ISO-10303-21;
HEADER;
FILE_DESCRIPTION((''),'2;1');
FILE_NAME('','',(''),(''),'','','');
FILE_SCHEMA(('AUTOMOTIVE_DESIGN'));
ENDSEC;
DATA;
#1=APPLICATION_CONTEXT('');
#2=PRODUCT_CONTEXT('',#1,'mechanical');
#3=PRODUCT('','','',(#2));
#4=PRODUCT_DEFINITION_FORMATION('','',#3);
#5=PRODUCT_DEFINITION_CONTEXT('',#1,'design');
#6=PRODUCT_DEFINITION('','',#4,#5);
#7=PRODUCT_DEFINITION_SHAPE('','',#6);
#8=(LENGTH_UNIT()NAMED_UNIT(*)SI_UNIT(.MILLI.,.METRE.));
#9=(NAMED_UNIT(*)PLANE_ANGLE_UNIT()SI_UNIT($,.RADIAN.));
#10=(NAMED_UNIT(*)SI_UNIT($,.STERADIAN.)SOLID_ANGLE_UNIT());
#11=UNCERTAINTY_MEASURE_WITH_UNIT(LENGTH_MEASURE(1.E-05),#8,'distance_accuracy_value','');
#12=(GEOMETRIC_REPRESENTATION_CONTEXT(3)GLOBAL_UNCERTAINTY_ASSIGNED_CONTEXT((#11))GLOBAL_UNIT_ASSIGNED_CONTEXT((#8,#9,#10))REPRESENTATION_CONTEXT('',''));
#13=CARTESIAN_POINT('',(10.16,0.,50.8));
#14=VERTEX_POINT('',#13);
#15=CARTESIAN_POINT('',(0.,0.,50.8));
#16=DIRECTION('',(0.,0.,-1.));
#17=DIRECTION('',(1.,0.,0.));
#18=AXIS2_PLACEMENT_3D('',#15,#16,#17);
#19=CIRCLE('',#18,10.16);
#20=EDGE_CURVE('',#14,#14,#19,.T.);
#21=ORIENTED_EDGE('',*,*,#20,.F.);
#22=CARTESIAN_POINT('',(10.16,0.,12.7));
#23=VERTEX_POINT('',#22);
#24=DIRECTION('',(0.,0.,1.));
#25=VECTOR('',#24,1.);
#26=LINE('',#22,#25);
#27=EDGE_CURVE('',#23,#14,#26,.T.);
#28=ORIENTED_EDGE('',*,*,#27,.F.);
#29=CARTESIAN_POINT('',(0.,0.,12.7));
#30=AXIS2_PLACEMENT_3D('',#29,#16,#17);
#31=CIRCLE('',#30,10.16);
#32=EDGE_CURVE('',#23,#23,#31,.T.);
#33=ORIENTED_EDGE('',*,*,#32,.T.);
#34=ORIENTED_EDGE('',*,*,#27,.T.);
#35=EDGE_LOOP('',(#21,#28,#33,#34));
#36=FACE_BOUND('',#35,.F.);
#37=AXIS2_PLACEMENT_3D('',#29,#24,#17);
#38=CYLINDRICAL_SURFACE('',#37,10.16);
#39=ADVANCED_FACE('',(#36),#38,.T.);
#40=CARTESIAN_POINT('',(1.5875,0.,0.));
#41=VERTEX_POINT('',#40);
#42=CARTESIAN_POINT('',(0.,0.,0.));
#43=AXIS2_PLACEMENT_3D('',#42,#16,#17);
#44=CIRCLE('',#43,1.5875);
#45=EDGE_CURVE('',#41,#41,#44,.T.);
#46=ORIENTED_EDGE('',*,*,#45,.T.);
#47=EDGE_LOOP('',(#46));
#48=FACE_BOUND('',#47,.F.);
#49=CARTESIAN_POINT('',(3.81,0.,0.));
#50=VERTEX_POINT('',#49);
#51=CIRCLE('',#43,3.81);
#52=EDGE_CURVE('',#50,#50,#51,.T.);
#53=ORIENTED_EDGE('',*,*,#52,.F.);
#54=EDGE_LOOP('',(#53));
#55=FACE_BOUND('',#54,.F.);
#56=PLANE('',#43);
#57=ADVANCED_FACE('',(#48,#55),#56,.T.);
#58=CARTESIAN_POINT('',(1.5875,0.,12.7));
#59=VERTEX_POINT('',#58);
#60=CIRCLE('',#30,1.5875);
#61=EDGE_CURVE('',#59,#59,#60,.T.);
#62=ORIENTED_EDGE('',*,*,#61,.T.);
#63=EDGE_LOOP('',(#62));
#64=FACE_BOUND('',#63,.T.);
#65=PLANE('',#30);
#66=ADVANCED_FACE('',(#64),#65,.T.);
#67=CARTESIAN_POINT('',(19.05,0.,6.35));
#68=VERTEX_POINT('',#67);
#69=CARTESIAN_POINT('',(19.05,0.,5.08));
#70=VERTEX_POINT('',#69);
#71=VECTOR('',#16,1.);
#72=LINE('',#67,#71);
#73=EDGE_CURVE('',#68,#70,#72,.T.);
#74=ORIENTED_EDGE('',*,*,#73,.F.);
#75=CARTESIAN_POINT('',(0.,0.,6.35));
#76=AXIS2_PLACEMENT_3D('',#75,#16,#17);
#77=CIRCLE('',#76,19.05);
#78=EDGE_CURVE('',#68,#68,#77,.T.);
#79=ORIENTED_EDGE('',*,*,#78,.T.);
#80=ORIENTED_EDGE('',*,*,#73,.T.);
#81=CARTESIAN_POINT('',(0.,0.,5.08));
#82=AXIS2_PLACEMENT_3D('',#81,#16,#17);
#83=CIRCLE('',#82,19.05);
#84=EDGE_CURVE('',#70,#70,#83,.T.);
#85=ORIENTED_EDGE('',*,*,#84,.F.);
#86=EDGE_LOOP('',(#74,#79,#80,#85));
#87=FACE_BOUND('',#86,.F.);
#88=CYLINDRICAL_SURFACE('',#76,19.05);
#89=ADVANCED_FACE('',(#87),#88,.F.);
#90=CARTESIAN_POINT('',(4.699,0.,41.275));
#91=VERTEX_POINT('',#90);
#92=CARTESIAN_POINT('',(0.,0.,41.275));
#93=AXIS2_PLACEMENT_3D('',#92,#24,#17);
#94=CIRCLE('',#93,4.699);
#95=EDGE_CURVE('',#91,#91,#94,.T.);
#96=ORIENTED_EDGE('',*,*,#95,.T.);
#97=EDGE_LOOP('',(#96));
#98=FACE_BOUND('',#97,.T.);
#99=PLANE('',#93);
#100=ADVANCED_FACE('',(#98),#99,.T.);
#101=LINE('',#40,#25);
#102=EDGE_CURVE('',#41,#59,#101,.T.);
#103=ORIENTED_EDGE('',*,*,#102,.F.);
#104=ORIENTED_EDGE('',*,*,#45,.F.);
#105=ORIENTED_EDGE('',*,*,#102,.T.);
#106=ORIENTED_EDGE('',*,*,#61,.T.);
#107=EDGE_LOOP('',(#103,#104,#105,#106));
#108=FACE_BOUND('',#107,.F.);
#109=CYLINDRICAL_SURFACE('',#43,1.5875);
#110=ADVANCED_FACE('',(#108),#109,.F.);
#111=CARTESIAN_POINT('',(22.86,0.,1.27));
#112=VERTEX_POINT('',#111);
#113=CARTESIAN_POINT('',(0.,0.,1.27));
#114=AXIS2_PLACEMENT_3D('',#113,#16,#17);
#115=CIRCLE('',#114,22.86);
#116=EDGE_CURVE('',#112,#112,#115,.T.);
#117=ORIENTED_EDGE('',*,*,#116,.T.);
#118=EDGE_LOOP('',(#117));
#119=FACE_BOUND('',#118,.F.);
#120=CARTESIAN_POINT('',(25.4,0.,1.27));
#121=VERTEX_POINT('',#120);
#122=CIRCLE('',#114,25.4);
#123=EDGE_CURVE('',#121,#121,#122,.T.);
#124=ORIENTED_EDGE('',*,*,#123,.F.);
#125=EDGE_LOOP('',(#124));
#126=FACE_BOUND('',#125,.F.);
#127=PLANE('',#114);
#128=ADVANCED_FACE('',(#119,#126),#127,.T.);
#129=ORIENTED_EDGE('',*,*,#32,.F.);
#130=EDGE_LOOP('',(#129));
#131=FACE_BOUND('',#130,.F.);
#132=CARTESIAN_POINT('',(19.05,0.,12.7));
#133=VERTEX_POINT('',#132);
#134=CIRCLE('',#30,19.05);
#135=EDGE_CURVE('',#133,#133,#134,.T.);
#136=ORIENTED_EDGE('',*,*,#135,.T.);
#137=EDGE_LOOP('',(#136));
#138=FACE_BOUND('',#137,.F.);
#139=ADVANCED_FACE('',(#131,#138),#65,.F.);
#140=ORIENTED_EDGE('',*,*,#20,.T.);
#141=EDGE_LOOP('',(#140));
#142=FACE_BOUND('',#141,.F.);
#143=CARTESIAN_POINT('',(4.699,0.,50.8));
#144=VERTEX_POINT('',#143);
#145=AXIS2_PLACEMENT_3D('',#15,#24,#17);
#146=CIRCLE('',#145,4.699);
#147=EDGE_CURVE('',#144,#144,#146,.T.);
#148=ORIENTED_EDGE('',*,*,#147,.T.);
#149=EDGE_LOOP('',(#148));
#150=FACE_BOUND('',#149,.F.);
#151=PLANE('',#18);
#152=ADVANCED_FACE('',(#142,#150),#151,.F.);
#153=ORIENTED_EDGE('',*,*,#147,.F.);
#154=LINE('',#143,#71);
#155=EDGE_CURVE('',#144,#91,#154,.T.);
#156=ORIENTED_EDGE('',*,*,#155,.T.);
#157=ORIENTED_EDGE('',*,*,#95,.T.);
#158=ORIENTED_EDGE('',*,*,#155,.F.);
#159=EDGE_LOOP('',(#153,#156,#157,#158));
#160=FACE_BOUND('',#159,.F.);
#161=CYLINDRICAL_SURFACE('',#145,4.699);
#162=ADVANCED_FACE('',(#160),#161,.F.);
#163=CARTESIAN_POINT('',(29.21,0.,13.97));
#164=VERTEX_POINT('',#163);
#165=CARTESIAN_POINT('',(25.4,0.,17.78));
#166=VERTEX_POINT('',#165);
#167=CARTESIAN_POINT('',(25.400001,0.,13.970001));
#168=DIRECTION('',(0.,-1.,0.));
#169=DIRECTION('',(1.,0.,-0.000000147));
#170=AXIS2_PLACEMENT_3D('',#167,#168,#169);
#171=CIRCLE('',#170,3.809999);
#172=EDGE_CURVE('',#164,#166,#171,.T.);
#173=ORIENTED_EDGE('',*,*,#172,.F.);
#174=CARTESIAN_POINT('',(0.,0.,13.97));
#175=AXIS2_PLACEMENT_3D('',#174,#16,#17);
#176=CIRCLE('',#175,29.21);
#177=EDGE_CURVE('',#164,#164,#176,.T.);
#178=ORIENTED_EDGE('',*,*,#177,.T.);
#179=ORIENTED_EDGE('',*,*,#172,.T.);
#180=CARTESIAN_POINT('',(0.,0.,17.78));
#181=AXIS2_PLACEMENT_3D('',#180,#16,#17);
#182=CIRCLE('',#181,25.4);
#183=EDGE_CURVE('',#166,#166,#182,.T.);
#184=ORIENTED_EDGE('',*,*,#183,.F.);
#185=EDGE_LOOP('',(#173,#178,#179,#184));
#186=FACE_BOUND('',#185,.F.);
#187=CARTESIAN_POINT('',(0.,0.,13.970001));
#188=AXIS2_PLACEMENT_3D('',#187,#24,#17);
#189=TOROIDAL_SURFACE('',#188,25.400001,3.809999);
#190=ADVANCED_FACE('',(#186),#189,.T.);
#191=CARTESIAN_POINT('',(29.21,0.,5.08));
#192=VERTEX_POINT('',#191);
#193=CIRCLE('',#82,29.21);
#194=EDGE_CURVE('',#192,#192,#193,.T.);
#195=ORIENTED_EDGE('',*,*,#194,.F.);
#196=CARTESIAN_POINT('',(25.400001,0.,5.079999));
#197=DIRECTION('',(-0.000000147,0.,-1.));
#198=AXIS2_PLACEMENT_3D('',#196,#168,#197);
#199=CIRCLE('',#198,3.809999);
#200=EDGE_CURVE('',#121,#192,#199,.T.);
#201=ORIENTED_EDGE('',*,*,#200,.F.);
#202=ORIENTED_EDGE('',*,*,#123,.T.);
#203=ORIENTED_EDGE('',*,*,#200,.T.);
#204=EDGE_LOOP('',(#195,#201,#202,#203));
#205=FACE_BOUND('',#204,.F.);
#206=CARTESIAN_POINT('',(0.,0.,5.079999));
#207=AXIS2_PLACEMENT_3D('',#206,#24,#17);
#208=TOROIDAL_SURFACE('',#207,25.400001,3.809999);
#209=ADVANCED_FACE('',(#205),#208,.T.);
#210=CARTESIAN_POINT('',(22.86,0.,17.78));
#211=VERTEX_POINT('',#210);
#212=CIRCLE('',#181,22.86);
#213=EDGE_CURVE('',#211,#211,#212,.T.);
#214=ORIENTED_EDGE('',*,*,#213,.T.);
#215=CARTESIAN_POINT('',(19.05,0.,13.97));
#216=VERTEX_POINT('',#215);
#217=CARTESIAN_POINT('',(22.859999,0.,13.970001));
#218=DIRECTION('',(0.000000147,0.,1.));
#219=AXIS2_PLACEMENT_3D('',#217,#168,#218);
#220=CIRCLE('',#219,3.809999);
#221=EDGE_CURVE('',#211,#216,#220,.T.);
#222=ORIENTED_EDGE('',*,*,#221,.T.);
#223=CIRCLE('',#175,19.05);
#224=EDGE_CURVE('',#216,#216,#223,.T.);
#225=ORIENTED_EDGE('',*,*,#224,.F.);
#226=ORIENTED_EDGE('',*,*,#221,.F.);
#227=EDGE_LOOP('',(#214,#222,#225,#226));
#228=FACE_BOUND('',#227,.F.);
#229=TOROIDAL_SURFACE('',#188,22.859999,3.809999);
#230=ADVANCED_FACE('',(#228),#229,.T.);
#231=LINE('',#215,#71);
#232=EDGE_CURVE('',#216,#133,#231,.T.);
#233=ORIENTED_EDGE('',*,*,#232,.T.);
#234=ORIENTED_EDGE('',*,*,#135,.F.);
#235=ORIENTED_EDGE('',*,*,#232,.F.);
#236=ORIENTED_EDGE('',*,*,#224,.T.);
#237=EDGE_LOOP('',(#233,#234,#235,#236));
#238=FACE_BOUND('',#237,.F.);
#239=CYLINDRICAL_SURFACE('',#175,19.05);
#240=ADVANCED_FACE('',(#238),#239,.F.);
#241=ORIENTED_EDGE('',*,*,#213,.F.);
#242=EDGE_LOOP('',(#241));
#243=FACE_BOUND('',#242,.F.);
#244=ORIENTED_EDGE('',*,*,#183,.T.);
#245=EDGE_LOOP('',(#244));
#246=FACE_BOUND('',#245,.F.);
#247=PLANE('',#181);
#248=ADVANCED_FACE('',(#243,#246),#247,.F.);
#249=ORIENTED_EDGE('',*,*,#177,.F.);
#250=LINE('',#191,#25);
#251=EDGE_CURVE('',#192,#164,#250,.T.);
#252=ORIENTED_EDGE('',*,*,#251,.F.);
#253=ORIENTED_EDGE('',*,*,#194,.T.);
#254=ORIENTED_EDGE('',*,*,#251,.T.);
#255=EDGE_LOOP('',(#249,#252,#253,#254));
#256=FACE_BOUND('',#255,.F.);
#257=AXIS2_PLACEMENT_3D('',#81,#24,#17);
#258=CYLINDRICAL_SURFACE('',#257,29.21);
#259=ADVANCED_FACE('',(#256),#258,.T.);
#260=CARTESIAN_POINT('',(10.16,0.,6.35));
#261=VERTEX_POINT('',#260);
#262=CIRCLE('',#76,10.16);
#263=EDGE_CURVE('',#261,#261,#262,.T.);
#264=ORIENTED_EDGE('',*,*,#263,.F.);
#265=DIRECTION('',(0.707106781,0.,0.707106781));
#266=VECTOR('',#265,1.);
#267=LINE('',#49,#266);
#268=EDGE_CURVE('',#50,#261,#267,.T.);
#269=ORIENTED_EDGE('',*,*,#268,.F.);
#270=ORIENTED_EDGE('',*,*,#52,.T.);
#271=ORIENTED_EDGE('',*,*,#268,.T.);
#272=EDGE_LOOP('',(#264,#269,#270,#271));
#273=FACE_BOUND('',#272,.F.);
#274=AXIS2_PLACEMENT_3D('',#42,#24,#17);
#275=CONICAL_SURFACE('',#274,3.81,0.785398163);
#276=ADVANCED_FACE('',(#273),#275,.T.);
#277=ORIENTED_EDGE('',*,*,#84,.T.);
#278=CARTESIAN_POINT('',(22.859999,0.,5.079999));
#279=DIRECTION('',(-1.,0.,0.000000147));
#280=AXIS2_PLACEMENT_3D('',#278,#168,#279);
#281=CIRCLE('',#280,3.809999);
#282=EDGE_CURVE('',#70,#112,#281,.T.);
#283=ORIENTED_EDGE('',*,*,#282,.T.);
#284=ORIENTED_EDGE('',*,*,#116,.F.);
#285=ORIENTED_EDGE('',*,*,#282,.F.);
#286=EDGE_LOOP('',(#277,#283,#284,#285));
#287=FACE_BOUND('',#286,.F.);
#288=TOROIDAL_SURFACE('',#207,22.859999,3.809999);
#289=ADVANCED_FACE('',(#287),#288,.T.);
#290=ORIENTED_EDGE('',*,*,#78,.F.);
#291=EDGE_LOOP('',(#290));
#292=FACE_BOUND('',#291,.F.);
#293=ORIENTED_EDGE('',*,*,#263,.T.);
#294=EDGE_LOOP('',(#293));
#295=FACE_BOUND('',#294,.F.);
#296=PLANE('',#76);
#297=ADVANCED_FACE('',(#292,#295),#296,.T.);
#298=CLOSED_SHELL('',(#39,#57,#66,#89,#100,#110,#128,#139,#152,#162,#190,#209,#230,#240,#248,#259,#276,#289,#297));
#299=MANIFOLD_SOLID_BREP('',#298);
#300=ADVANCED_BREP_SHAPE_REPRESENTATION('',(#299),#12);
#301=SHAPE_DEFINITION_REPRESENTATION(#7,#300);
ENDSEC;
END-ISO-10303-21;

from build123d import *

# Parameters (mm, degrees)
F2_R     = 4.699
F3_DEPTH = 9.525
F4_R     = 1.5875
F5_DEPTH = 12.7


with BuildPart() as f1:
    # F0 (on Front) → F1 (revolve)
    with BuildSketch(Plane.XZ):
        with BuildLine():
            Line((0, 50.8), (0, 0))
            Line((0, 0), (3.81, 0))
            Line((3.81, 0), (10.16, 6.35))
            Line((10.16, 6.35), (19.05, 6.35))
            Line((19.05, 6.35), (19.05, 5.08))
            ThreePointArc((19.05, 5.08), (20.165923, 2.385923), (22.86, 1.27))
            Line((22.86, 1.27), (25.4, 1.27))
            ThreePointArc((25.4, 1.27), (28.094077, 2.385923), (29.21, 5.08))
            Line((29.21, 5.08), (29.21, 13.97))
            ThreePointArc((29.21, 13.97), (28.094077, 16.664077), (25.4, 17.78))
            Line((25.4, 17.78), (22.86, 17.78))
            ThreePointArc((22.86, 17.78), (20.165923, 16.664077), (19.05, 13.97))
            Line((19.05, 13.97), (19.05, 12.7))
            Line((19.05, 12.7), (10.16, 12.7))
            Line((10.16, 12.7), (10.16, 50.8))
            Line((10.16, 50.8), (0, 50.8))
        make_face()
    revolve(axis=Axis((0, 0, 25.4), (0, 0, -1)))

    # F2 (on face) → F3 (cut)
    with BuildSketch(Plane.XY.offset(50.8)):
        Circle(F2_R)
    extrude(amount=-F3_DEPTH, mode=Mode.SUBTRACT)

    # F4 (on face) → F5 (cut)
    with BuildSketch(Plane(origin=(0, 0, 0), x_dir=(1, 0, 0), z_dir=(0, 0, -1))):
        Circle(F4_R)
    extrude(amount=-F5_DEPTH, mode=Mode.SUBTRACT)


solid = f1.part
